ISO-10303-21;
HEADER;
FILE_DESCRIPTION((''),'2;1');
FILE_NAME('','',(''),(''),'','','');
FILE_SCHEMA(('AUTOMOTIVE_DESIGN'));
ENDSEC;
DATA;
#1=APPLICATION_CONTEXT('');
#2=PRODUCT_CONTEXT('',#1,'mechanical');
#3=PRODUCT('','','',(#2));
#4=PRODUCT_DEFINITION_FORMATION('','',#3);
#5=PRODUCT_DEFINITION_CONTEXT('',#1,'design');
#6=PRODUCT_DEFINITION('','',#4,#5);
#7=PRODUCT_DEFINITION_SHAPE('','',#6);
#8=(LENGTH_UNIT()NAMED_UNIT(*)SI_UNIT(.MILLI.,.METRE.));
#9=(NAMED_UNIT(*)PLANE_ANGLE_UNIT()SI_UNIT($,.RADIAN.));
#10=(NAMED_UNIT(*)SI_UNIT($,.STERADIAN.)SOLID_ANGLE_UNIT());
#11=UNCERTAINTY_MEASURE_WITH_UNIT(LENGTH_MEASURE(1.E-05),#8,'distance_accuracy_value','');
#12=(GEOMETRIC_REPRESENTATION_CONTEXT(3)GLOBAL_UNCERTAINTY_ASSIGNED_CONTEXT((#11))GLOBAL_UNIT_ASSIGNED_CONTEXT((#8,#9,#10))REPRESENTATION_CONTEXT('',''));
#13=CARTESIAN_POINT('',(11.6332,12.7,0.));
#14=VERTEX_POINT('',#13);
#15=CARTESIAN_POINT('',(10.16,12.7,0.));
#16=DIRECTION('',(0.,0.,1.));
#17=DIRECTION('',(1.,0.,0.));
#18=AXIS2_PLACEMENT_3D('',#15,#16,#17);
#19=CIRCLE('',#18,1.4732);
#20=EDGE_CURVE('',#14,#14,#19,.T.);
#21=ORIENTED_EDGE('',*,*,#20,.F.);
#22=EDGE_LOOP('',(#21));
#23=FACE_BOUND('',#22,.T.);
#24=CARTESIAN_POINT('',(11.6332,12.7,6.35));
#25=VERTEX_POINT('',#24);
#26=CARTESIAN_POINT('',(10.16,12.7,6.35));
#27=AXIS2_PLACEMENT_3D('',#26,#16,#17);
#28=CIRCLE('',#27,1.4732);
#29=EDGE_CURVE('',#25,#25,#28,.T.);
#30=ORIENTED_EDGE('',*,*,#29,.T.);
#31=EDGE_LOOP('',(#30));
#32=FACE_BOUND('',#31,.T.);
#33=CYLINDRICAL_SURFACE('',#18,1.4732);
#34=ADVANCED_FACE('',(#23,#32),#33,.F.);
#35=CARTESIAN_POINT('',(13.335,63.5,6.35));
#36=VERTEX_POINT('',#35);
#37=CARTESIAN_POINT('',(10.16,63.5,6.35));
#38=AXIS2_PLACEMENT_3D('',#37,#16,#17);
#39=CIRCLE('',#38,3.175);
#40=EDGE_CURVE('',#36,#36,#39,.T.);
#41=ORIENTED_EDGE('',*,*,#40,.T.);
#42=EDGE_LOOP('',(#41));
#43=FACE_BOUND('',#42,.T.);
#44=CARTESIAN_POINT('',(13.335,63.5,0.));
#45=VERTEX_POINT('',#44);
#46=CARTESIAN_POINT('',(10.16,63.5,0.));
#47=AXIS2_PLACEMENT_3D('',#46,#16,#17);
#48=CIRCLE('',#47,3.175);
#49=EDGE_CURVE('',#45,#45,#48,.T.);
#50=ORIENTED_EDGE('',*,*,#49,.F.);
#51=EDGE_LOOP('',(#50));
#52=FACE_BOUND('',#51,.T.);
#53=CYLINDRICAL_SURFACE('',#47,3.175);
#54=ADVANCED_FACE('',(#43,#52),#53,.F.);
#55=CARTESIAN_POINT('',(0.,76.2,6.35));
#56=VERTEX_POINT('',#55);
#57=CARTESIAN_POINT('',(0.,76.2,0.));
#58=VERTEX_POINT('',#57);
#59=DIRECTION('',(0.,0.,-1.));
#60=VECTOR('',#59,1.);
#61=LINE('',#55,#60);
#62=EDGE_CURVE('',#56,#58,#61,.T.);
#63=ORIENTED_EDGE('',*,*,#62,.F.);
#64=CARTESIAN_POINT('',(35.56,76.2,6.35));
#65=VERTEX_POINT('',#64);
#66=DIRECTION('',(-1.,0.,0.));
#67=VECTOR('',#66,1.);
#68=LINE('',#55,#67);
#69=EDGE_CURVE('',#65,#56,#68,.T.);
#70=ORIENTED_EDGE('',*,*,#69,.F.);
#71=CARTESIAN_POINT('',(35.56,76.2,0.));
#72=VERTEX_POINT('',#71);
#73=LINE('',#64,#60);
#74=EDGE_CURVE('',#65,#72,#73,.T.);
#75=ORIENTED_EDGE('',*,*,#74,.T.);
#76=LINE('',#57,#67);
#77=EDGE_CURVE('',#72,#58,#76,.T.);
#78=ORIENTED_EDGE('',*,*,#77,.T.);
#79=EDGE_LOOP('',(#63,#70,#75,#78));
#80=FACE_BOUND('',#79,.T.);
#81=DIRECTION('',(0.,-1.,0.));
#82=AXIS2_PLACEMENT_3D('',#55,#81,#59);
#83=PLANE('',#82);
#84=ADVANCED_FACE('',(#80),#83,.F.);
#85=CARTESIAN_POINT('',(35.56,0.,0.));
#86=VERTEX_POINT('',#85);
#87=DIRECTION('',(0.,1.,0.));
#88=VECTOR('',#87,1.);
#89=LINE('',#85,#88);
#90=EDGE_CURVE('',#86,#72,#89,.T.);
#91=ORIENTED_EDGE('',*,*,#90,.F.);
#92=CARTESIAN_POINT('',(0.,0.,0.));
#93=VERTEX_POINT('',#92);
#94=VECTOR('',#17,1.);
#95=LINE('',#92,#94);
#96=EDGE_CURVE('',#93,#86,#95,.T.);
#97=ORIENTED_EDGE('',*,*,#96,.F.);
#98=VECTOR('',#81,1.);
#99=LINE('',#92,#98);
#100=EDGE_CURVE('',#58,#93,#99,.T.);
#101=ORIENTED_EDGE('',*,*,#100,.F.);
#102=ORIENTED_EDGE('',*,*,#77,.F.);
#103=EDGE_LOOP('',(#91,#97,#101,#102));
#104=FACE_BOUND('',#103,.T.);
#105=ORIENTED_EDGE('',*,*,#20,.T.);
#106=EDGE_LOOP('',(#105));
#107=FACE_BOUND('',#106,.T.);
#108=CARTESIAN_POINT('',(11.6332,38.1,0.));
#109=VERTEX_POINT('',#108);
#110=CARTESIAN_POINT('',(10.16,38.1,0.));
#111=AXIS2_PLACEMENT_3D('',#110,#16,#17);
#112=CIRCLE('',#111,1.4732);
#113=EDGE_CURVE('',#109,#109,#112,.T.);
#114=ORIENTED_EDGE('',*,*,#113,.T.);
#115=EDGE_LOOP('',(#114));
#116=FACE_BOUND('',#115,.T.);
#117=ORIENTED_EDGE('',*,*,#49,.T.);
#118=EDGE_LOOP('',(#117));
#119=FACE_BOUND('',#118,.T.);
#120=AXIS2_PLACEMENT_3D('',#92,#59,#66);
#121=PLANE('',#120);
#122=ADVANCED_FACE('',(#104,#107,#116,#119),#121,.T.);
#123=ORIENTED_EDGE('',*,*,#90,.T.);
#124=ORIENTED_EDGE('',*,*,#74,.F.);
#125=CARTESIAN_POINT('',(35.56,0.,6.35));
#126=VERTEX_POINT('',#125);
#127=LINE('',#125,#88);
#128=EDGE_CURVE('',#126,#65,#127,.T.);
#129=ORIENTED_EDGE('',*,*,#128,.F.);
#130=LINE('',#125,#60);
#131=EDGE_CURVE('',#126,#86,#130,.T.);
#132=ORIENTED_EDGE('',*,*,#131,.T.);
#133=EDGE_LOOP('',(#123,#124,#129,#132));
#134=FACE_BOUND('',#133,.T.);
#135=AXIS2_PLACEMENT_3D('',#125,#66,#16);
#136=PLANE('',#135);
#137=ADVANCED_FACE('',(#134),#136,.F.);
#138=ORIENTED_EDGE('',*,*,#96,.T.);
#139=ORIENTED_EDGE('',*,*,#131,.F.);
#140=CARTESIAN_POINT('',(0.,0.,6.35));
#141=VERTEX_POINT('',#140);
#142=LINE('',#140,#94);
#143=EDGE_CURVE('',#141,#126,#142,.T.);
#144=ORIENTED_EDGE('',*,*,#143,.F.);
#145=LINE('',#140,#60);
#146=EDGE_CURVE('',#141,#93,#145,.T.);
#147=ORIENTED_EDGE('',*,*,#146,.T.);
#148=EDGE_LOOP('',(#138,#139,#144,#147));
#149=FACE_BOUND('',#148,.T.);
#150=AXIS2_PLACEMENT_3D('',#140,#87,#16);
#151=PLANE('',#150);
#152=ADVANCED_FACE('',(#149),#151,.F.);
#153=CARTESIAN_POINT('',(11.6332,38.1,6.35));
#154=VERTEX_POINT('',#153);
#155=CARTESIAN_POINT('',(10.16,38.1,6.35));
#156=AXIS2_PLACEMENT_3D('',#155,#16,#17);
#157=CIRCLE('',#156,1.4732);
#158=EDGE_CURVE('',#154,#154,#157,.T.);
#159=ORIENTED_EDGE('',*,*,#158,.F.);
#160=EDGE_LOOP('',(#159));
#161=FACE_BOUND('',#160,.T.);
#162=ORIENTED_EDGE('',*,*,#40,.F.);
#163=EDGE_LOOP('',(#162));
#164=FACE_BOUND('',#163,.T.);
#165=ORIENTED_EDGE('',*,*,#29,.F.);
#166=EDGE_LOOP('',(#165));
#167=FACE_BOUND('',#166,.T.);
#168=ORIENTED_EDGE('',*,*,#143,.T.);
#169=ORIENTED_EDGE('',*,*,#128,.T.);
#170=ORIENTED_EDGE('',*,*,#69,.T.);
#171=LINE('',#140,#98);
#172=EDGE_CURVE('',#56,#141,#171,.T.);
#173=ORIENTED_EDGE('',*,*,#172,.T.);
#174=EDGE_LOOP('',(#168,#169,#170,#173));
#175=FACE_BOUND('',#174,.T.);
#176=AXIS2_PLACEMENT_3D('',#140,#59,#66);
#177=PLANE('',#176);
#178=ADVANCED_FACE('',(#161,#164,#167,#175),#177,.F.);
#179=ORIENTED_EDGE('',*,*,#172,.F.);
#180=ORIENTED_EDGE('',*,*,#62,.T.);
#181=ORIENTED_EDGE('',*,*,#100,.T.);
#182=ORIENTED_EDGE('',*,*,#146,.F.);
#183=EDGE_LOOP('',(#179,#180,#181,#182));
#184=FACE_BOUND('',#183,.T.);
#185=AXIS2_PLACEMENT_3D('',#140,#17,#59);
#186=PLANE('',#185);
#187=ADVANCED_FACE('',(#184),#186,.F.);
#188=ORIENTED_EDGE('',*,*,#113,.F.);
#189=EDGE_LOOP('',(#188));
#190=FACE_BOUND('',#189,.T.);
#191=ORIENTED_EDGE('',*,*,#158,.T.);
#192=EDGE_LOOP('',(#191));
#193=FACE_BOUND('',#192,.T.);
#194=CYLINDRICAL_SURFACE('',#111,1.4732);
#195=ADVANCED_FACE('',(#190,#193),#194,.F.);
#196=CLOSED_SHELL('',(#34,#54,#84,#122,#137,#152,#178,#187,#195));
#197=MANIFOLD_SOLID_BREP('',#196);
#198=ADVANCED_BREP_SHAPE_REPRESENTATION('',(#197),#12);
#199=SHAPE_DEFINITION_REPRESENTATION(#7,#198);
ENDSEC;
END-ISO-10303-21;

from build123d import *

# Parameters (mm, degrees)
SKETCH1_W           = 35.56
SKETCH1_H           = 76.2
BOSS_EXTRUDE1_DEPTH = 6.35
SKETCH3_R           = 3.175
SKETCH3_R_2         = 1.4732
CUT_EXTRUDE1_DEPTH  = 85.328382529


with BuildPart() as part:
    # Sketch1 → Boss-Extrude1 (new body)
    with BuildSketch(Plane.XY):
        with Locations((17.78, 38.1)):
            Rectangle(SKETCH1_W, SKETCH1_H)
    extrude(amount=BOSS_EXTRUDE1_DEPTH)

    # Sketch3 → Cut-Extrude1 (cut, through all)
    with BuildSketch(Plane.XY.offset(6.35)):
        with Locations((10.16, 63.5)):
            Circle(SKETCH3_R)
        with Locations((10.16, 38.1)):
            Circle(SKETCH3_R_2)
        with Locations((10.16, 12.7)):
            Circle(SKETCH3_R_2)
    extrude(amount=-CUT_EXTRUDE1_DEPTH, mode=Mode.SUBTRACT)


solid = part.part
